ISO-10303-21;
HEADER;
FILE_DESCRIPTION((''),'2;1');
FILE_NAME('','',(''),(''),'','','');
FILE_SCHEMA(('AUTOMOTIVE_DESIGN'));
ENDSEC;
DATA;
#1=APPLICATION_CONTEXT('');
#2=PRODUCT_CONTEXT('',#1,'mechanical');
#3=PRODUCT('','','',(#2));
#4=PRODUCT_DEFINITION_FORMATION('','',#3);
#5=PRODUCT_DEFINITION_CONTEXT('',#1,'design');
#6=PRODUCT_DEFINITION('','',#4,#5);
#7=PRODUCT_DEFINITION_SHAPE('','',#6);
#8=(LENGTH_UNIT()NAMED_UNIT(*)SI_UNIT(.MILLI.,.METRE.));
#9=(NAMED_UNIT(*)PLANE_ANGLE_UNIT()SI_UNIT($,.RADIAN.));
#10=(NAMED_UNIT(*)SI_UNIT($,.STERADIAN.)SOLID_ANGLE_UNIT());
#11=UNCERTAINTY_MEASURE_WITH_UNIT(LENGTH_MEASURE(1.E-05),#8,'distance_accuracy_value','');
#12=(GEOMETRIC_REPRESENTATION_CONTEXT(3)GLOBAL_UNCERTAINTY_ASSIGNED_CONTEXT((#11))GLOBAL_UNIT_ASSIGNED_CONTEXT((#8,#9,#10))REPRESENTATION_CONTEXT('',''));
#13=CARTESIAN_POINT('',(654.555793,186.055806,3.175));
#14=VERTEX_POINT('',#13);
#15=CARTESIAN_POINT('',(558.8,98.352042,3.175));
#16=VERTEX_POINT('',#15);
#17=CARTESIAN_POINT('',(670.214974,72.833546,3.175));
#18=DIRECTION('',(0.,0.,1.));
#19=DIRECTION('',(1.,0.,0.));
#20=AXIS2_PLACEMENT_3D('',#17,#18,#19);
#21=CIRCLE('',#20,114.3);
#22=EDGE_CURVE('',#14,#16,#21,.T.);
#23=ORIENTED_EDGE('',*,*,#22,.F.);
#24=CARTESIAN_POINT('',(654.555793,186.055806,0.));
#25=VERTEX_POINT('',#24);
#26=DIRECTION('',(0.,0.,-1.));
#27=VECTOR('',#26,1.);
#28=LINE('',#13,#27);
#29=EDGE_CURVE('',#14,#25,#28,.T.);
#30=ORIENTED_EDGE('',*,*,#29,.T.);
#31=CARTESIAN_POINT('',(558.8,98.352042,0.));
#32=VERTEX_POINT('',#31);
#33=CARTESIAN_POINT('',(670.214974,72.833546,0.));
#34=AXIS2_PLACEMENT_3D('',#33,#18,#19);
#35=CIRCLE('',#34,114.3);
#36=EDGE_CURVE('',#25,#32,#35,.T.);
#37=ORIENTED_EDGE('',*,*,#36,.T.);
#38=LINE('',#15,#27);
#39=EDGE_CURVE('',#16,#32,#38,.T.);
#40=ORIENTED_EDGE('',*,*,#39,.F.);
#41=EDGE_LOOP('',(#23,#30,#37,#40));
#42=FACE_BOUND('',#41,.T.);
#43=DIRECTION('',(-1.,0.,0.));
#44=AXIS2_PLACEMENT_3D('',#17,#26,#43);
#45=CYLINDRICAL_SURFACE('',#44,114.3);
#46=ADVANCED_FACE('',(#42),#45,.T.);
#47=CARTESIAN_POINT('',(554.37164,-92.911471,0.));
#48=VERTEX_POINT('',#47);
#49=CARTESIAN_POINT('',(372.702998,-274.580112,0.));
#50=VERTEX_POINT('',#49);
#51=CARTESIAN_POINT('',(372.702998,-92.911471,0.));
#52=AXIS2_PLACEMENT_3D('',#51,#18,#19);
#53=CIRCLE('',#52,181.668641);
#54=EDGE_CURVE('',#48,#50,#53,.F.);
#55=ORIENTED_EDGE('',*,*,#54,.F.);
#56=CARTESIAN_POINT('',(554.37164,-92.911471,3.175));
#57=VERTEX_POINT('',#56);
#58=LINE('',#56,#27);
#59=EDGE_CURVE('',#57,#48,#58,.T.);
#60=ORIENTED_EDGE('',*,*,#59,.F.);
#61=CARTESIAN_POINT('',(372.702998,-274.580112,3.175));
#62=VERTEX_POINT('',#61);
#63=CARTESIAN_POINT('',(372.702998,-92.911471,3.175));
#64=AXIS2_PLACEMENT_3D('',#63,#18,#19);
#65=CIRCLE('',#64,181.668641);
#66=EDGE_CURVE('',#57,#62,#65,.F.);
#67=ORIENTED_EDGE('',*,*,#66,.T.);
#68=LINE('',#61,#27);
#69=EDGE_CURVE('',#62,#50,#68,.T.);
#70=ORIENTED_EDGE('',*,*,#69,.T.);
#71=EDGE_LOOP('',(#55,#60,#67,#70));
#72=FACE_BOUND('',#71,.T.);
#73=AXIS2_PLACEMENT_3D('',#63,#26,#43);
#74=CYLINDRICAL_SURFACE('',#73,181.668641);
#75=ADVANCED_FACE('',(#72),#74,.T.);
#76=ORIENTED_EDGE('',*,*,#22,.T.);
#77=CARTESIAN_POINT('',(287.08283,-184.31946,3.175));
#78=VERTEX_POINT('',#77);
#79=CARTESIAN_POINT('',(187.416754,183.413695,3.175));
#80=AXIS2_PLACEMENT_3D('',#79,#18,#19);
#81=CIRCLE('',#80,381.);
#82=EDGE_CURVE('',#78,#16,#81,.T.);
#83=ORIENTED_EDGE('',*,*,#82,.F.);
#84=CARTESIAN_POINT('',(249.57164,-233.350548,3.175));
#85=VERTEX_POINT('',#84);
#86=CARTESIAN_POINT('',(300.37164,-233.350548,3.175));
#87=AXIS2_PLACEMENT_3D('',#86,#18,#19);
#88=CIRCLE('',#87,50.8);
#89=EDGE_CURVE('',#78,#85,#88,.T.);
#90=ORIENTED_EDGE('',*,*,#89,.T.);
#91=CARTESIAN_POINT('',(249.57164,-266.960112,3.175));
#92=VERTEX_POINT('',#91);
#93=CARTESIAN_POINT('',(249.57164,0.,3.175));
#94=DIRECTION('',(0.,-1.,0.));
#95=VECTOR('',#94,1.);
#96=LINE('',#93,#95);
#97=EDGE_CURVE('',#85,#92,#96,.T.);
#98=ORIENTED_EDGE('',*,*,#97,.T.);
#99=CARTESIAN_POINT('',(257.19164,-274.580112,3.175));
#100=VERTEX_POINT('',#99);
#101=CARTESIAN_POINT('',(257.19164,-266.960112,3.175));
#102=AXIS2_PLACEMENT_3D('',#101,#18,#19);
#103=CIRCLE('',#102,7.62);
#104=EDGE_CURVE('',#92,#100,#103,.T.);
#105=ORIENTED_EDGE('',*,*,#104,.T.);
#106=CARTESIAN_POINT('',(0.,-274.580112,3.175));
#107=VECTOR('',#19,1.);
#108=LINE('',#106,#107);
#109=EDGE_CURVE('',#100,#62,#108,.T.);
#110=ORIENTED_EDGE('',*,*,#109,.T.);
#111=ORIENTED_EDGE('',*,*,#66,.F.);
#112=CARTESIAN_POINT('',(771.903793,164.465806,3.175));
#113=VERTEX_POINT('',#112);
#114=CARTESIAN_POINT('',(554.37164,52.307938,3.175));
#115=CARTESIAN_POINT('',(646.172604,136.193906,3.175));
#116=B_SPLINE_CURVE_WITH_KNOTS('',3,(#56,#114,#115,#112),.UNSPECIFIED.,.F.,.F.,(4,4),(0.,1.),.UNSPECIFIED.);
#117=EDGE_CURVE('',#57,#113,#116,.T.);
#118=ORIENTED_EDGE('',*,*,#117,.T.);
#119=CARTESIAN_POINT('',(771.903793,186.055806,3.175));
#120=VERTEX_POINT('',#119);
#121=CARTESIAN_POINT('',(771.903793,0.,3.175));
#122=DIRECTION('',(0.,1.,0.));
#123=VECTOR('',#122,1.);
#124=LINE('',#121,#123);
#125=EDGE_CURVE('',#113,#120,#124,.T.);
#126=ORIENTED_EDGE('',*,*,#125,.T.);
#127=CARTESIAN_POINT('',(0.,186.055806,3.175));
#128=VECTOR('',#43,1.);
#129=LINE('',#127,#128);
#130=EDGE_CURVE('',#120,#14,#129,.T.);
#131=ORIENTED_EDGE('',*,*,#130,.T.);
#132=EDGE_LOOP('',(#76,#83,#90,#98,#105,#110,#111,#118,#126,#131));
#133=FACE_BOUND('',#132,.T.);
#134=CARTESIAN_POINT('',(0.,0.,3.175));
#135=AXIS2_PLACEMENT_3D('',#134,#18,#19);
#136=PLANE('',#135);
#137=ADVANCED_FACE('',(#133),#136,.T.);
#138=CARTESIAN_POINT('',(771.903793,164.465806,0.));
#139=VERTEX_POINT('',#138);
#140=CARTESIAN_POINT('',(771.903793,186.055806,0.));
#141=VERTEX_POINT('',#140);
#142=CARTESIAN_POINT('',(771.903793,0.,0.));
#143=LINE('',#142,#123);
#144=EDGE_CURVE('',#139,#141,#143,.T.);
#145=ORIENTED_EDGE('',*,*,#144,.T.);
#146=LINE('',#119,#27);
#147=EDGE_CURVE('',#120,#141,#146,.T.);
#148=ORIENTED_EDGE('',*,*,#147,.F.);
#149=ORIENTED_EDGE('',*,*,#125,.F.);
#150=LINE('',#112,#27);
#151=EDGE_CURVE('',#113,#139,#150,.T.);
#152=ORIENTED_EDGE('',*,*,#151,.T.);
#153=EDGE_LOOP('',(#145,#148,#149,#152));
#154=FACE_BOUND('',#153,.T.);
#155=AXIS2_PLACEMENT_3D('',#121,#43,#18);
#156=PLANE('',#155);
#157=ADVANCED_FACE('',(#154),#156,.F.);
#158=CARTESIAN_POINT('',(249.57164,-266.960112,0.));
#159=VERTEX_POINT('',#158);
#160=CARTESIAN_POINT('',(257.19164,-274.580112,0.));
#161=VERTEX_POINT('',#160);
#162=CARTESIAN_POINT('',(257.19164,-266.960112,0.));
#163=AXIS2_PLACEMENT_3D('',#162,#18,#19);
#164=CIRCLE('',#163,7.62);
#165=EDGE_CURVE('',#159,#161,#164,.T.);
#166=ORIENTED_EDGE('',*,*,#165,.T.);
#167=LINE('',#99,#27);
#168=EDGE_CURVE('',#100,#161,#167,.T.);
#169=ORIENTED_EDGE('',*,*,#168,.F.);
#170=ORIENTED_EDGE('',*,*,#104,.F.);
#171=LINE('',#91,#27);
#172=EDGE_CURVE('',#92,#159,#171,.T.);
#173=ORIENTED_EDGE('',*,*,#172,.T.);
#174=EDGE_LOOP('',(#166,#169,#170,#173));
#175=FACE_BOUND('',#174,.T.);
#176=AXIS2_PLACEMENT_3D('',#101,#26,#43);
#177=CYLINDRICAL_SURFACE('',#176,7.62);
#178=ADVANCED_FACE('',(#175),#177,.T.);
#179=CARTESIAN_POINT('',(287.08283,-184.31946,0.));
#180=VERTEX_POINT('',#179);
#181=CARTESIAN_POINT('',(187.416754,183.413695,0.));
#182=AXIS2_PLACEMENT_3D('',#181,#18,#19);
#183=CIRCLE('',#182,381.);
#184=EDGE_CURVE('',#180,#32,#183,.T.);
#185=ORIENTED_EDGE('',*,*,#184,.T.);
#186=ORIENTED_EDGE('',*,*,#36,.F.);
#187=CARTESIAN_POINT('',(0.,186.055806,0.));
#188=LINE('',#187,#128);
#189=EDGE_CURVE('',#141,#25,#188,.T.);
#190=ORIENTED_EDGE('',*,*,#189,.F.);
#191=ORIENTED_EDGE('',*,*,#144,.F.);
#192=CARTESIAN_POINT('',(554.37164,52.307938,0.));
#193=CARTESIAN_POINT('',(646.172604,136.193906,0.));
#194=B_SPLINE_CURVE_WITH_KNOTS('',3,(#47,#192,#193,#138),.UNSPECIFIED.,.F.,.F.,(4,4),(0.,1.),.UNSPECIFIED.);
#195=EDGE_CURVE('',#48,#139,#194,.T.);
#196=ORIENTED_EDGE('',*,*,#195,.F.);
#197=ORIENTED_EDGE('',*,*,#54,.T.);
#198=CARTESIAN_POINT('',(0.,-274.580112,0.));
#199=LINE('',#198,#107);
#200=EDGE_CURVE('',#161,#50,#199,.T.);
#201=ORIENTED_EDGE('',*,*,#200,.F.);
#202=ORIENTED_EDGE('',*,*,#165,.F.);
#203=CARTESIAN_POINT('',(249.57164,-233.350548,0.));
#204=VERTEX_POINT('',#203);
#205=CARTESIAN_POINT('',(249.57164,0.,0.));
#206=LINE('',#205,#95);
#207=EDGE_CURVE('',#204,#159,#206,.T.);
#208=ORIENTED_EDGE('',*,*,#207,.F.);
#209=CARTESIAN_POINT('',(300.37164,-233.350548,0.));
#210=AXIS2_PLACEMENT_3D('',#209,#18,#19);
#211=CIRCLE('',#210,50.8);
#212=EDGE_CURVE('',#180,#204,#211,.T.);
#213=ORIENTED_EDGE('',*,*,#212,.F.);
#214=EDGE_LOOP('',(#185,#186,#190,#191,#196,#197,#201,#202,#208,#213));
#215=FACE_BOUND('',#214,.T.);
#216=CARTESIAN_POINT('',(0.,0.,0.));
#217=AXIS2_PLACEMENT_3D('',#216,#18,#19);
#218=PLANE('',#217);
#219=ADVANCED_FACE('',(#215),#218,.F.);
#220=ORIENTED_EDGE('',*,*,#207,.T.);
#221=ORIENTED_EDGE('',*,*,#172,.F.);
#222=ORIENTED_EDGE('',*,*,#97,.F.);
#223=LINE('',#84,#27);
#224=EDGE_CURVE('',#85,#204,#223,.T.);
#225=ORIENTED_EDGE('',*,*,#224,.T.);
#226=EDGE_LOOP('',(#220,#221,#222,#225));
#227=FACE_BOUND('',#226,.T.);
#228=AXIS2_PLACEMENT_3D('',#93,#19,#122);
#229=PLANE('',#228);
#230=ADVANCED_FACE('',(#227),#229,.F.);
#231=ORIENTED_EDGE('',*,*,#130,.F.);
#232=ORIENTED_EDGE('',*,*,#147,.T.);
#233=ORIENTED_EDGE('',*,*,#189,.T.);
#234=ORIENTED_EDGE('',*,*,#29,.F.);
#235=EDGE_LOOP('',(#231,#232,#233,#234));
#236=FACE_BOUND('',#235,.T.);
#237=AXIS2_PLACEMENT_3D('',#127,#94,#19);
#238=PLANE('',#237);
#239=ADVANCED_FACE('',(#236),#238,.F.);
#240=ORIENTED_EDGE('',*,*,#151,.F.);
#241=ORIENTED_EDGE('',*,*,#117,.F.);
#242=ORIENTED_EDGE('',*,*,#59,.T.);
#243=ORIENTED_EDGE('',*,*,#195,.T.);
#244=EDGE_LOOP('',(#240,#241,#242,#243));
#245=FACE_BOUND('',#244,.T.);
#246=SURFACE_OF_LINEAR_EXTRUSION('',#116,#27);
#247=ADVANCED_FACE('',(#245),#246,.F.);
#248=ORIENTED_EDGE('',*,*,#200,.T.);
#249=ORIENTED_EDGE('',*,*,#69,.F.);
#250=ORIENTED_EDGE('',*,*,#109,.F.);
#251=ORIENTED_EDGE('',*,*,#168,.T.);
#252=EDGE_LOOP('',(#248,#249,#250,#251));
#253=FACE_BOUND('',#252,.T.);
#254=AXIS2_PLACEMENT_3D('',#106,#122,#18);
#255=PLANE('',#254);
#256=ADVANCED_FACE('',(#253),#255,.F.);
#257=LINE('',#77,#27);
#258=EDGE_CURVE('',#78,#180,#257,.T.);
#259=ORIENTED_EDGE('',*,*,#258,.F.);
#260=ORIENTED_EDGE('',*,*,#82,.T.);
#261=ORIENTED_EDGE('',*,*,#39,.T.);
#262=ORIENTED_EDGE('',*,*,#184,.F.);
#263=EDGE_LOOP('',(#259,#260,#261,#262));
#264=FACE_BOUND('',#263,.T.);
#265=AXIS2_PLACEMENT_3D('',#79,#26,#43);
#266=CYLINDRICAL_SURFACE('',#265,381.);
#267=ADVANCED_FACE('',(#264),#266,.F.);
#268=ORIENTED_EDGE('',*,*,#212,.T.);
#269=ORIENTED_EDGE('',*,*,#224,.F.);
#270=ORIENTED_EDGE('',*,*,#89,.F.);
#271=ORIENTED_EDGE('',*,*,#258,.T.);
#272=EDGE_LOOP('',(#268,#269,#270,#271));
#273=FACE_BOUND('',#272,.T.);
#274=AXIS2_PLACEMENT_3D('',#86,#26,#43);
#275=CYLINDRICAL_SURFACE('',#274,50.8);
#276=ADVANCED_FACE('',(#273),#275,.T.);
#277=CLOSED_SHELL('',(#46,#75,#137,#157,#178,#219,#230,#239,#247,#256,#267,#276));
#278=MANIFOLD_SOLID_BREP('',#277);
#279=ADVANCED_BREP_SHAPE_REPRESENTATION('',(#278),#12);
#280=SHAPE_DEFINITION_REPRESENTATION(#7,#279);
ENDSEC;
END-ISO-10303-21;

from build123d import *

# Parameters (mm, degrees)
BOSS_EXTRUDE1_DEPTH = 3.175


with BuildPart() as part:
    # Sketch1 → Boss-Extrude1 (new body)
    with BuildSketch(Plane.XY):
        with BuildLine():
            Line((771.903793001, 164.465805668), (771.903793001, 186.055805664))
            Line((771.903793001, 186.055805664), (654.555793001, 186.055805664))
            ThreePointArc((654.555793001, 186.055805664), (593.014276043, 157.121992999), (558.8, 98.352042006))
            ThreePointArc((558.8, 98.352042006), (462.094129135, -80.619143391), (287.082829619, -184.319460189))
            ThreePointArc((287.082829619, -184.319460189), (260.024944938, -202.483344486), (249.571639661, -233.350547549))
            Line((249.571639661, -233.350547549), (249.571639661, -266.960111933))
            ThreePointArc((249.571639661, -266.960111933), (251.803485989, -272.348265606), (257.191639661, -274.580111933))
            Line((257.191639661, -274.580111933), (372.702998231, -274.580111933))
            ThreePointArc((372.702998231, -274.580111933), (501.162126515, -221.370598787), (554.371639661, -92.911470503))
            add(Edge.make_bspline(
                [(554.371639661, -92.911470503), (554.371639661, 52.307938416), (646.172603674, 136.193906474), (771.903793001, 164.465805668)],
                knots=[0, 0, 0, 0, 1, 1, 1, 1], degree=3))
        make_face()
    extrude(amount=BOSS_EXTRUDE1_DEPTH)


solid = part.part
